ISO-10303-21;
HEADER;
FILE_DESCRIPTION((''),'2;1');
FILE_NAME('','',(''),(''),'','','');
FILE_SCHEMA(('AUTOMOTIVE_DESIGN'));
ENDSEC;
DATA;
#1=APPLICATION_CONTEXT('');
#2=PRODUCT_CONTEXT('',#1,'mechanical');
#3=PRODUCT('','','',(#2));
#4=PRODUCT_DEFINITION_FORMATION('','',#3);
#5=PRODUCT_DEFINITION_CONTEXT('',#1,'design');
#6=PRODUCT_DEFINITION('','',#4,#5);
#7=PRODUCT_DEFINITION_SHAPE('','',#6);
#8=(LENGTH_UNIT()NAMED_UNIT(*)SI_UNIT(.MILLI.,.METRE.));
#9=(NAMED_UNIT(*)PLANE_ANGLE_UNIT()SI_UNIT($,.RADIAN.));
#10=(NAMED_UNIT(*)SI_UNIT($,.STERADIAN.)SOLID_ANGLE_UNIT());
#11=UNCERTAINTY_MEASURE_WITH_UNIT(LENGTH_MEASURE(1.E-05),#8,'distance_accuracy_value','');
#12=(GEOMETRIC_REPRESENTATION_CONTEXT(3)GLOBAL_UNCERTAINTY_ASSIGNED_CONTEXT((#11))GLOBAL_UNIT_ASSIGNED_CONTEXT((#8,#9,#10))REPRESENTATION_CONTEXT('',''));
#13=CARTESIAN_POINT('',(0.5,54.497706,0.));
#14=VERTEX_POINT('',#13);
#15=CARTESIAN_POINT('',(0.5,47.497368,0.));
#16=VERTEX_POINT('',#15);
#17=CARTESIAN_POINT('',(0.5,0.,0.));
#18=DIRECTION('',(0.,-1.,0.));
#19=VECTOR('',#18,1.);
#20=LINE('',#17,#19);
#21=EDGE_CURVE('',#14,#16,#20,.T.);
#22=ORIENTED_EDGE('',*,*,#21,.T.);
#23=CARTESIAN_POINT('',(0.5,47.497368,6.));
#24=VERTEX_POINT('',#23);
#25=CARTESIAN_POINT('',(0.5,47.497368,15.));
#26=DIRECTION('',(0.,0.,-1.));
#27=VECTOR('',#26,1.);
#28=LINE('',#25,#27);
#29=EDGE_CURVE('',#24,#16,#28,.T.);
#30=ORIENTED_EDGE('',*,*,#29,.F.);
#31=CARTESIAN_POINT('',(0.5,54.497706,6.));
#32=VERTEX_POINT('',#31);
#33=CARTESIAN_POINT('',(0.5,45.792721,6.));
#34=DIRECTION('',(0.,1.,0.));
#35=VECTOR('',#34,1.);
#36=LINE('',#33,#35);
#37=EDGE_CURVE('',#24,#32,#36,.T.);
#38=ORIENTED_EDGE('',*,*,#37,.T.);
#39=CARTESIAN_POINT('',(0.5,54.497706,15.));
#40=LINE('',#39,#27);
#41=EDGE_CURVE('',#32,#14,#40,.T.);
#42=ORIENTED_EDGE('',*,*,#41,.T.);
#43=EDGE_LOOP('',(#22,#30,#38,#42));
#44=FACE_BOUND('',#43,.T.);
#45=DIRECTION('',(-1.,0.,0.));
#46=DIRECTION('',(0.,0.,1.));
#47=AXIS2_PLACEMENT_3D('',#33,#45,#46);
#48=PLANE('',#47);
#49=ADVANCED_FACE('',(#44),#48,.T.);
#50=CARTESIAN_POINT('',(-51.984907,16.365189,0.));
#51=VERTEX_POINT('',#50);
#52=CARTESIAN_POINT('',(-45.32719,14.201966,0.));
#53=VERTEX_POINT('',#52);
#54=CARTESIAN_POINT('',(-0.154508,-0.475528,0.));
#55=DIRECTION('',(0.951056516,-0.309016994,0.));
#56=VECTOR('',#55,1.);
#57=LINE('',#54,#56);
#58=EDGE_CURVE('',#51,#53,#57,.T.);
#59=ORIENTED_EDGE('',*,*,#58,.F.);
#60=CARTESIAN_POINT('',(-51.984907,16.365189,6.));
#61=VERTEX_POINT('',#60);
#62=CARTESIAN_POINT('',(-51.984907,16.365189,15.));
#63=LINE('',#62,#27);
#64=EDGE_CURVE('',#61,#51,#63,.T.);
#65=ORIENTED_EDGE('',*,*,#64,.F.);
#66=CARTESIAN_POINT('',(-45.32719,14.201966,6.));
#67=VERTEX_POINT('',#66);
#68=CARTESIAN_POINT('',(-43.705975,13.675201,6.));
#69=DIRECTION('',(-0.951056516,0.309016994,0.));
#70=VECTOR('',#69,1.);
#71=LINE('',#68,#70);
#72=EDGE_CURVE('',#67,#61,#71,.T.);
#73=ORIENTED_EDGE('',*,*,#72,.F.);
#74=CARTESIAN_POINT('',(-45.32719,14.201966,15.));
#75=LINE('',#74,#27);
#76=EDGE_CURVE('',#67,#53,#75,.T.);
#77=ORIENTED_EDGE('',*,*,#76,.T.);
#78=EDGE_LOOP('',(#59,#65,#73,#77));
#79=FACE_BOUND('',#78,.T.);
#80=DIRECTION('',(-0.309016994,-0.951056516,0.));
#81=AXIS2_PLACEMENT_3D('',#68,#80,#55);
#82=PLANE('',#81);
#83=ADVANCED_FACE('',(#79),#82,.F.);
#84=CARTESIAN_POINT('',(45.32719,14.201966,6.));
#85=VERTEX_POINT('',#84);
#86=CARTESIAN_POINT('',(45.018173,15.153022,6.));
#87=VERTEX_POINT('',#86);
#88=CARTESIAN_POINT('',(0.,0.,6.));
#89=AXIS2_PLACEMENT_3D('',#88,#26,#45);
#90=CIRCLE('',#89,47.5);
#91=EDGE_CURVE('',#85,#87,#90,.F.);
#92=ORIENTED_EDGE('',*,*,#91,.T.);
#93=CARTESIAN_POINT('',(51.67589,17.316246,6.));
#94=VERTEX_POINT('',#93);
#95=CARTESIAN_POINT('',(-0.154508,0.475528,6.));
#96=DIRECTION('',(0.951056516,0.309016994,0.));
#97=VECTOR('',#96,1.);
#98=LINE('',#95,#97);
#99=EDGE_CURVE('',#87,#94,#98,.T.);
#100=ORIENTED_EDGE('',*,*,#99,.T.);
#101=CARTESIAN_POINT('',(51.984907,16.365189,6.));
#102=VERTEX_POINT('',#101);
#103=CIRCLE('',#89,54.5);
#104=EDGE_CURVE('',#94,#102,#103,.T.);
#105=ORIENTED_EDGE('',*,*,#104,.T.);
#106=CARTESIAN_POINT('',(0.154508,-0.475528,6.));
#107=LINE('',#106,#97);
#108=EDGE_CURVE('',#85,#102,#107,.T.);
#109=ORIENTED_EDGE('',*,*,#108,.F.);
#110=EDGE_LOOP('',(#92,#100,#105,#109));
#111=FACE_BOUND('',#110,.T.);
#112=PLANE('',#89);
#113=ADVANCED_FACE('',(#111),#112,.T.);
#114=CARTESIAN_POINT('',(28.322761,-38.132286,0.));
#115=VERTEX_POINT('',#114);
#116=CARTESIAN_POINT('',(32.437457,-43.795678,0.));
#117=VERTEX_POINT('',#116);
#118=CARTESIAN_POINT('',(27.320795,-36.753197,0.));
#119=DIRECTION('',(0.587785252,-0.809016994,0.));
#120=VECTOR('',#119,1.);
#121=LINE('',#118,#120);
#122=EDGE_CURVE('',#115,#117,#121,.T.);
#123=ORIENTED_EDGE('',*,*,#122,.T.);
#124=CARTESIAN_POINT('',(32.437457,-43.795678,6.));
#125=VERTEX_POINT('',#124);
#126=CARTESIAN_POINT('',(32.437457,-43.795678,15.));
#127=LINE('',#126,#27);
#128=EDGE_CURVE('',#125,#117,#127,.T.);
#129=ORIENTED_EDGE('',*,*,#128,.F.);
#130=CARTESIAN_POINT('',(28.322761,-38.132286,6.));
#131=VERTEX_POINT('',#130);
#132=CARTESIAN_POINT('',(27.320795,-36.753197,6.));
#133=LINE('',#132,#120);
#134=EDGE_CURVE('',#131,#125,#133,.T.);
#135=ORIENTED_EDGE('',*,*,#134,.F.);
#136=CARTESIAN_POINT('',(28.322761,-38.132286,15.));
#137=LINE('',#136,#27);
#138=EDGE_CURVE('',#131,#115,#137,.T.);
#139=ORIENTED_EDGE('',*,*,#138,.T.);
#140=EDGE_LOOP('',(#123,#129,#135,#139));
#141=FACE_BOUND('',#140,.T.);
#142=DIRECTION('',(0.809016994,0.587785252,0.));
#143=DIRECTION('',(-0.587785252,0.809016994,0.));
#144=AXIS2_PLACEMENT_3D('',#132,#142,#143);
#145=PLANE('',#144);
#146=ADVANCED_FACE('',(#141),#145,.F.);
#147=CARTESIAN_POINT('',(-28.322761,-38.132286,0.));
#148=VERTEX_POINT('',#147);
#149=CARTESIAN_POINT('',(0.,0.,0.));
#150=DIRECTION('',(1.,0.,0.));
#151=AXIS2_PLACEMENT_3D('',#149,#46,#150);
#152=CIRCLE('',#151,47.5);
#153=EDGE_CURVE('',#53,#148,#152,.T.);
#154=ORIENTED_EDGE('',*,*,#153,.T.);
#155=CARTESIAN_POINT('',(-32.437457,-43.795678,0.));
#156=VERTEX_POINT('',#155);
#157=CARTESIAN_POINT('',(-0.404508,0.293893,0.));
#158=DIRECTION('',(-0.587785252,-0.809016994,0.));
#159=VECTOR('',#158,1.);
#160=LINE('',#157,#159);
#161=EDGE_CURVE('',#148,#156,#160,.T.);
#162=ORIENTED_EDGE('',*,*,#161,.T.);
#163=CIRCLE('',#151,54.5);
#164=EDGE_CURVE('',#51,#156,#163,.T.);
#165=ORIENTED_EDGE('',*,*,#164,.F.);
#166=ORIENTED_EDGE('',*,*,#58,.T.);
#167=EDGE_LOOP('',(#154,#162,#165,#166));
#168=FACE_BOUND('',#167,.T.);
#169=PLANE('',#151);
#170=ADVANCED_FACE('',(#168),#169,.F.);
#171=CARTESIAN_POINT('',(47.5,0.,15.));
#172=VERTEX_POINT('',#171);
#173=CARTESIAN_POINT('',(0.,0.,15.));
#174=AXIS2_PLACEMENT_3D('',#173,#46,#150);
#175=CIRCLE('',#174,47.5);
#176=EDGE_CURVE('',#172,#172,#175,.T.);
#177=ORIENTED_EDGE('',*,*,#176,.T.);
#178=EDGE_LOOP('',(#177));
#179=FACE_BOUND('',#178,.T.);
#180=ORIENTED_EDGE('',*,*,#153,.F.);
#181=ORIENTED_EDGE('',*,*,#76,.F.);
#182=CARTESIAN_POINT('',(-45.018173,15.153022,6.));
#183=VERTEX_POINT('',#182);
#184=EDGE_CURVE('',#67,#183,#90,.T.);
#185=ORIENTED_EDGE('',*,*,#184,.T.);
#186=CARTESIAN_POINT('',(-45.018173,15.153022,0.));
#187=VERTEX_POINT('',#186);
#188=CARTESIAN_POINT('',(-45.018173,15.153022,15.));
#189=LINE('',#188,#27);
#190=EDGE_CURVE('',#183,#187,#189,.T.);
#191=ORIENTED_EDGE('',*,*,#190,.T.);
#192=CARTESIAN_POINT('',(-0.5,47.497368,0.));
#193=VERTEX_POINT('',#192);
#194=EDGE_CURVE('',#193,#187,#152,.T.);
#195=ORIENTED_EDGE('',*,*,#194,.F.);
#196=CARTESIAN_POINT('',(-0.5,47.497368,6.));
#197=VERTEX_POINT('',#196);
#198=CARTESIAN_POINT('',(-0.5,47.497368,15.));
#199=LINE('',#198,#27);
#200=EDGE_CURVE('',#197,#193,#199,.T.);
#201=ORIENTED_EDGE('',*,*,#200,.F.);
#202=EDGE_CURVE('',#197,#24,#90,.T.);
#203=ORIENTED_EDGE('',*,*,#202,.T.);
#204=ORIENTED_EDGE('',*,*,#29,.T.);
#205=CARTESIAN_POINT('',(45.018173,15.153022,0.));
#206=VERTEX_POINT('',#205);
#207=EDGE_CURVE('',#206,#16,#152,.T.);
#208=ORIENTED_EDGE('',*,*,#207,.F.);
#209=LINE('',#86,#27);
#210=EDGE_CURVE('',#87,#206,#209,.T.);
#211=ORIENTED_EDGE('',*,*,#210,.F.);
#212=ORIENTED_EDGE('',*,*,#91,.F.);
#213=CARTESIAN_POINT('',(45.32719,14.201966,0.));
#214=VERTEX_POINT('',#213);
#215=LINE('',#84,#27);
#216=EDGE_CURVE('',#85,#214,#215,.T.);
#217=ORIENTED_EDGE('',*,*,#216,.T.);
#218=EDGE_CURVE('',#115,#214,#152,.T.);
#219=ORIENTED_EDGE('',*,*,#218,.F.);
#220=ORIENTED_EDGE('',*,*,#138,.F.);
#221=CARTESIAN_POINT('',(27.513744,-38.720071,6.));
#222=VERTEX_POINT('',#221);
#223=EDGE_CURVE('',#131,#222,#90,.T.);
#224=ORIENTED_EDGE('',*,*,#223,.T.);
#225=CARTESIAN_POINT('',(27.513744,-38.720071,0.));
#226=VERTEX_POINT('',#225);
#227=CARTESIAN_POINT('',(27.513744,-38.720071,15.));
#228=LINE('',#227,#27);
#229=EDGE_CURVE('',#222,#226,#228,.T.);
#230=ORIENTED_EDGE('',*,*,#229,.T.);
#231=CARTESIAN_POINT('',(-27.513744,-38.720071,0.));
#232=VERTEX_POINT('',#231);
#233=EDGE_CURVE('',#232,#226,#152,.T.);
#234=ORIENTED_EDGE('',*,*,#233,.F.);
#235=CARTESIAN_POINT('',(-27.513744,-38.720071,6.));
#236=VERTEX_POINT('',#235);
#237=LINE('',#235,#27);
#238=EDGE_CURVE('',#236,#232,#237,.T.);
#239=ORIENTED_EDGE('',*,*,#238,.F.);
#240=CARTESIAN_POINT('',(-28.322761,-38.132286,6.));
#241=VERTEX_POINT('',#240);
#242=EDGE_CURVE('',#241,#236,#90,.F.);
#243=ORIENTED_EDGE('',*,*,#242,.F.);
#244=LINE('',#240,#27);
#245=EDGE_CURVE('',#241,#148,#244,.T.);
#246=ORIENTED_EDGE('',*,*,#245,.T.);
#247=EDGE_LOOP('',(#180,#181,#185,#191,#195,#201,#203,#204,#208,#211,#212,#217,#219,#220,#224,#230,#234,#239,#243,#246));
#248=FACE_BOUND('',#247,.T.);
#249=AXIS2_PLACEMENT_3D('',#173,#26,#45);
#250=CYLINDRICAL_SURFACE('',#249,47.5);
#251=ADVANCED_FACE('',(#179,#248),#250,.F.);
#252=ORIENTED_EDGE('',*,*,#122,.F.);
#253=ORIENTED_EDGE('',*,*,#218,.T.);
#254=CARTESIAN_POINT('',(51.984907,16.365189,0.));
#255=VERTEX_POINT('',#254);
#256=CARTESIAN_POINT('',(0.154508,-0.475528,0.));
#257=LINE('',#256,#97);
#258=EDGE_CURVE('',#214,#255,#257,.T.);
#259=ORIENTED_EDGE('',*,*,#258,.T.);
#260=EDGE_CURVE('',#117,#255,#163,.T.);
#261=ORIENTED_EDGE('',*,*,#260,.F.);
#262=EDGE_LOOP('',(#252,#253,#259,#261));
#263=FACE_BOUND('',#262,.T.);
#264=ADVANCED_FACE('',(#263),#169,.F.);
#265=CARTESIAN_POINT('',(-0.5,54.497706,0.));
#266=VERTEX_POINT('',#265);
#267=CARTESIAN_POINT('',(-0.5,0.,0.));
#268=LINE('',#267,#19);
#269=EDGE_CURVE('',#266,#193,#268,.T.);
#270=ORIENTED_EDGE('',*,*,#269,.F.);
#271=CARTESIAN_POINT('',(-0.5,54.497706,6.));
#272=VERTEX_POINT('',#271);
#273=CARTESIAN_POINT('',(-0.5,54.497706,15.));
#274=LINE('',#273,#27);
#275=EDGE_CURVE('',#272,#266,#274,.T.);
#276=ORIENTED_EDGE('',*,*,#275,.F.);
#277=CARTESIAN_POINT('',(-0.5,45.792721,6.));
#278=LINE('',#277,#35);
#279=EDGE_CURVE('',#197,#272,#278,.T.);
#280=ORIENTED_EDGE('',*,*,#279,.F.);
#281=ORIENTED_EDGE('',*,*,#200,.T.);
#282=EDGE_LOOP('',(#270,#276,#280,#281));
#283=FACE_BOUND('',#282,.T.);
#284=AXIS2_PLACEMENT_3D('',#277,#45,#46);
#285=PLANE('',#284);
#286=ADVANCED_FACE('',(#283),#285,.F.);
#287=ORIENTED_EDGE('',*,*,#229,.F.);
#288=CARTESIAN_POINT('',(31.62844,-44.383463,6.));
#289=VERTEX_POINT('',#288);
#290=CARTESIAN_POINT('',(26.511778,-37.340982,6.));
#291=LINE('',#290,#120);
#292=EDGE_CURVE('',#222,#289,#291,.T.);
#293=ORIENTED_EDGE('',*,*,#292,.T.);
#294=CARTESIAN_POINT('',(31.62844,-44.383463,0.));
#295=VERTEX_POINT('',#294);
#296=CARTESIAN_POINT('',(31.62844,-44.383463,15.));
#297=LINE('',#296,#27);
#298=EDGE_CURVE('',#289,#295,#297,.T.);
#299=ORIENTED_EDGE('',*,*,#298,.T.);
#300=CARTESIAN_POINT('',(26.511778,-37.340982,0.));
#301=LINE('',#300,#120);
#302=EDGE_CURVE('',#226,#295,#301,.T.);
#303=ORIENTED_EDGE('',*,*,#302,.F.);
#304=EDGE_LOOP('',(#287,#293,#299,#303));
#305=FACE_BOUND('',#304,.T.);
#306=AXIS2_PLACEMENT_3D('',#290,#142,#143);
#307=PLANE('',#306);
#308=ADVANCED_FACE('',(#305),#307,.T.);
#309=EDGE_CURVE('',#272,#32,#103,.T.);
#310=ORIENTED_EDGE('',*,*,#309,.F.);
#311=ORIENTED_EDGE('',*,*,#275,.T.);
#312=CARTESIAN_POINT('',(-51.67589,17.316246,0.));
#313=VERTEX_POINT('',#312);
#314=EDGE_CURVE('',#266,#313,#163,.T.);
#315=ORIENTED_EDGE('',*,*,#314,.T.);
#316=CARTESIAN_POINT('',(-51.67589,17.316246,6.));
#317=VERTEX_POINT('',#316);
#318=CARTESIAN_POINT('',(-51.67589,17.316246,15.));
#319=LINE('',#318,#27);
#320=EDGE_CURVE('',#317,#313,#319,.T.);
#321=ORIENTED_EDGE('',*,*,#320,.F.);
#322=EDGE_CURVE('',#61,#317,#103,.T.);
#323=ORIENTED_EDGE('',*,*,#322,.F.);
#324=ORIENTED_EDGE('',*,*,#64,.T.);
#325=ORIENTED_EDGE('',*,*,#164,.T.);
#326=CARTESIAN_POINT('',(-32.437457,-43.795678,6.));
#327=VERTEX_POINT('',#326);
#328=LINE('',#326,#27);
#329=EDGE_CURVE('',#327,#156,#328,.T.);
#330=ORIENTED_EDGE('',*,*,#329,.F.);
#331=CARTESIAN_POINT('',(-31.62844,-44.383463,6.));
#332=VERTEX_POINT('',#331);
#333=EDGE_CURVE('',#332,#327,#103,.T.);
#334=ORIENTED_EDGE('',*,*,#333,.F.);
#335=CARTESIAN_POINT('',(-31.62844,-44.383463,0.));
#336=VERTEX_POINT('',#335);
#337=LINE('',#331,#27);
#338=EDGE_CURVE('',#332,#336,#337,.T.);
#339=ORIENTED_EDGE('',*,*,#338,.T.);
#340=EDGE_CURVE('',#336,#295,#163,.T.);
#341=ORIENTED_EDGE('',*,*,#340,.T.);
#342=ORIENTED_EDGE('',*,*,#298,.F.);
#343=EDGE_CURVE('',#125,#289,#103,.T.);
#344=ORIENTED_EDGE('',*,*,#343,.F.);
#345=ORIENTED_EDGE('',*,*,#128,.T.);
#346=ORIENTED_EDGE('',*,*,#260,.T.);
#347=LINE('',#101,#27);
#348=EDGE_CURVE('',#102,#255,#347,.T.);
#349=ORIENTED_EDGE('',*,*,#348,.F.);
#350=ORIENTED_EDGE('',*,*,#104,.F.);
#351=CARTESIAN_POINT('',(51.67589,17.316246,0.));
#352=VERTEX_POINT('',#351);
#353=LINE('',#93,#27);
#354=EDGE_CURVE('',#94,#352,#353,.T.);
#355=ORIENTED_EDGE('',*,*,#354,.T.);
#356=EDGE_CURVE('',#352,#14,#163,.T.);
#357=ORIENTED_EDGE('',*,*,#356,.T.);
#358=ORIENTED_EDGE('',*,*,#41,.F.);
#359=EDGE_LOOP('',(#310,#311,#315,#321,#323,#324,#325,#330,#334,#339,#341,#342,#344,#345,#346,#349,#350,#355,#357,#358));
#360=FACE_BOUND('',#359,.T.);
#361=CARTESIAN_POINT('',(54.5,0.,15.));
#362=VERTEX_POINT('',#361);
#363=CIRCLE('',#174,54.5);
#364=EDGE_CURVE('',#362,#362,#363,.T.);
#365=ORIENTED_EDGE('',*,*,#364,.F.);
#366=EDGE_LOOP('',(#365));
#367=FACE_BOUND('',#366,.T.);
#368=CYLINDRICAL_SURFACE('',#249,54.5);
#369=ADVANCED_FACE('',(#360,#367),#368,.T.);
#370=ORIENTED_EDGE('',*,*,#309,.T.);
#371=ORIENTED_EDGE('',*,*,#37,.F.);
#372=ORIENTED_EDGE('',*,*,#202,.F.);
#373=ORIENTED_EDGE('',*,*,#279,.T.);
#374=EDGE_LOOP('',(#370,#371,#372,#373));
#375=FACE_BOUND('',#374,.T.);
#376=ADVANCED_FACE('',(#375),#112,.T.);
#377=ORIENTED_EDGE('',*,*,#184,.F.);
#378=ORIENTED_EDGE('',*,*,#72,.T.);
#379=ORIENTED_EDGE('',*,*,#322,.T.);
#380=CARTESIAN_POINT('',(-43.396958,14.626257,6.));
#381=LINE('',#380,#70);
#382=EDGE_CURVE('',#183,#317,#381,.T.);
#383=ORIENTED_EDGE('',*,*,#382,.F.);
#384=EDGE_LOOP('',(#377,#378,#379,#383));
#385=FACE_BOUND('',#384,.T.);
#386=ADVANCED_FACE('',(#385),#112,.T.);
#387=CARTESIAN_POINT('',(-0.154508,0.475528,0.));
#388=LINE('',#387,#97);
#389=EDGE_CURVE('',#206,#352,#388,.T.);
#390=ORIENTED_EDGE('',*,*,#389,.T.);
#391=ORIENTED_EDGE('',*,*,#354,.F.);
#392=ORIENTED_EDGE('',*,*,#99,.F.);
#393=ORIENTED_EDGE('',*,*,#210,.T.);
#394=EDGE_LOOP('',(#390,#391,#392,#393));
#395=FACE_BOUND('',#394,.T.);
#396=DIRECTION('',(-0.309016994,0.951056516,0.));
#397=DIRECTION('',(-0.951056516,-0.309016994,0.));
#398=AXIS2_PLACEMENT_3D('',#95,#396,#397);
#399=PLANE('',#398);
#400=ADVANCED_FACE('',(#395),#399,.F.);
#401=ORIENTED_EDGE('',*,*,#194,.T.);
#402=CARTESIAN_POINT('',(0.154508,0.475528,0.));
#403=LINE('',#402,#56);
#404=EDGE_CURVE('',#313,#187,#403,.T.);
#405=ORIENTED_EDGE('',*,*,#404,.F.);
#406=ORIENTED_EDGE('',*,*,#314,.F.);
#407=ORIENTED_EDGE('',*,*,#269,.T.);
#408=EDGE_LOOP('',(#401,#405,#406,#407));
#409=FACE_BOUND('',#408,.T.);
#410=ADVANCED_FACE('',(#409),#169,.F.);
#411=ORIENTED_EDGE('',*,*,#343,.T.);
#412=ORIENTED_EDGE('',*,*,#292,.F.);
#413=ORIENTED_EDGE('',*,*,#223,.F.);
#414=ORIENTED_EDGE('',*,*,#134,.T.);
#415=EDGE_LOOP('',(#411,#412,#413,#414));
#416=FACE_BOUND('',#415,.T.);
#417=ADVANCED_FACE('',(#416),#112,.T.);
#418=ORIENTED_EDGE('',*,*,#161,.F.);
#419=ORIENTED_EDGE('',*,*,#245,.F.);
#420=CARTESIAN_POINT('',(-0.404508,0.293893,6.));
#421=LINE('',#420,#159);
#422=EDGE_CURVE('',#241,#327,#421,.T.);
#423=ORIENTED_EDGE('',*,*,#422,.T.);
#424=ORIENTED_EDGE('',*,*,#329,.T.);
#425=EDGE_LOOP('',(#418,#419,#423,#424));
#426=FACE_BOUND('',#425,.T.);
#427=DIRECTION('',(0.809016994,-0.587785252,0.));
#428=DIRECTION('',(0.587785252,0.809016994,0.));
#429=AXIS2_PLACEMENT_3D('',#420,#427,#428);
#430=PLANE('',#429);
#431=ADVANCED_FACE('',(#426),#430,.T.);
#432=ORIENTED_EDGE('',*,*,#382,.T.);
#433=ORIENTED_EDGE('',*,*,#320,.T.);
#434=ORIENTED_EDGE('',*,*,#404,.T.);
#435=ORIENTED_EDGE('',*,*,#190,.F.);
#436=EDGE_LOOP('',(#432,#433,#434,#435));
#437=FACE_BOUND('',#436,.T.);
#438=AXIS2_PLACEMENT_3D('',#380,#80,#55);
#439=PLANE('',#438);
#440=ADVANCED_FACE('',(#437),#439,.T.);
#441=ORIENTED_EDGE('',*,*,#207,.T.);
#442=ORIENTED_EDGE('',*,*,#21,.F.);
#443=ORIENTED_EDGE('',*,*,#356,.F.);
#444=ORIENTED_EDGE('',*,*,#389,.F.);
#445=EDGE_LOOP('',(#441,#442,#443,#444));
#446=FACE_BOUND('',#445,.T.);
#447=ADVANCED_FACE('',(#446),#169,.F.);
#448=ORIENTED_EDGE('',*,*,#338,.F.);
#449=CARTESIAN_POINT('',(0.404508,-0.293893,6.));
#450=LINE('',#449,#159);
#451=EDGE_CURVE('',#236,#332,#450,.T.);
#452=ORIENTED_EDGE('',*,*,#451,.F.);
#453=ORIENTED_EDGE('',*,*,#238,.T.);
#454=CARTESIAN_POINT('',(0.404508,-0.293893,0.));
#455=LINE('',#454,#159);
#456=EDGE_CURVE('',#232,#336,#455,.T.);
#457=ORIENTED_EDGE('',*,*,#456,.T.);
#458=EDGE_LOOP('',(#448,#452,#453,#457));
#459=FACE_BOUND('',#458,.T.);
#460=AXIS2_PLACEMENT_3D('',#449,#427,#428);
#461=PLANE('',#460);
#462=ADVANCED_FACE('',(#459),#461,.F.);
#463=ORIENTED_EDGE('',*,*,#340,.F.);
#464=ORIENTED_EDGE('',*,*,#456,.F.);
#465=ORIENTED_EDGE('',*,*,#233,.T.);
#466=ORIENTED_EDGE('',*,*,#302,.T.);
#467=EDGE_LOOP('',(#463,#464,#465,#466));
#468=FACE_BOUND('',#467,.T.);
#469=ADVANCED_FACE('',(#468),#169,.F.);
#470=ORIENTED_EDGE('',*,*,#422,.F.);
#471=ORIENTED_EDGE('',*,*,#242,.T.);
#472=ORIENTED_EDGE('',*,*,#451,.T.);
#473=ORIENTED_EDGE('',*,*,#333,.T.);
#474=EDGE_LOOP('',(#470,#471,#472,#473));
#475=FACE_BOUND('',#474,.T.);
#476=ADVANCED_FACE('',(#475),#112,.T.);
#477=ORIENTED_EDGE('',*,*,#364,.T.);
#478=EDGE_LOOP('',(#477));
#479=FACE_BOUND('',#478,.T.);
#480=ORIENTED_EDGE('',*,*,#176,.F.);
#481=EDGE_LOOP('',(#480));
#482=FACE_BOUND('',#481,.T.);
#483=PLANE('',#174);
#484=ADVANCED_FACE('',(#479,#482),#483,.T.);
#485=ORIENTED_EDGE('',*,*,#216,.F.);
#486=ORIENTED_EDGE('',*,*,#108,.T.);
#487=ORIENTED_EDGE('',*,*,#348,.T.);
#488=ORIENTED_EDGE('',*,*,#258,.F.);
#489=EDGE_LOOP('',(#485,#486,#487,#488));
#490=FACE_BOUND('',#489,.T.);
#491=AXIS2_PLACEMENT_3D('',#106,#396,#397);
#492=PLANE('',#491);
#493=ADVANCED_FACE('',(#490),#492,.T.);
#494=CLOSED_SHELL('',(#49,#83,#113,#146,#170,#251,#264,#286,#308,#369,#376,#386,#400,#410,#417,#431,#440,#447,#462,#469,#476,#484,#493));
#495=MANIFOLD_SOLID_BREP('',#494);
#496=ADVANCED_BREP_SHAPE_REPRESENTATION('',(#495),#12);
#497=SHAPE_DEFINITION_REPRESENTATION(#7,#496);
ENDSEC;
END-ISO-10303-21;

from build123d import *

# Parameters (mm, degrees)
ESQUISSE1_R             = 54.5
ESQUISSE1_R_2           = 47.5
BOSS_EXTRU_1_DEPTH      = 15
ESQUISSE2_W             = 1
ESQUISSE2_H             = 9.520304005
ENL_V_MAT_EXTRU_1_DEPTH = 6


with BuildPart() as part:
    # Esquisse1 → Boss.-Extru.1 (new body)
    with BuildSketch(Plane.XY):
        Circle(ESQUISSE1_R)
        Circle(ESQUISSE1_R_2, mode=Mode.SUBTRACT)
    extrude(amount=BOSS_EXTRU_1_DEPTH)

    # Esquisse2 → Enlèv. mat.-Extru.1 (cut)
    with BuildSketch(Plane(origin=(0, 0, 0), x_dir=(-1, 0, 0), z_dir=(0, 0, -1))):
        with BuildLine():
            Line((32.437456587, -43.795677985), (28.322761135, -38.132285556))
            ThreePointArc((28.322761135, -38.132285556), (27.919799484, -38.428307233), (27.513744141, -38.720070808))
            Line((27.513744141, -38.720070808), (31.628439593, -44.383463237))
            ThreePointArc((31.628439593, -44.383463237), (32.03429625, -44.091426193), (32.437456587, -43.795677985))
        make_face()
        with BuildLine():
            ThreePointArc((-45.327190172, 14.20196575), (-45.175184524, 14.678307233), (-45.018173177, 15.153022266))
            Line((-45.018173177, 15.153022266), (-51.675890273, 17.316245682))
            ThreePointArc((-51.675890273, 17.316245682), (-51.832580138, 16.841426193), (-51.984907267, 16.365189166))
            Line((-51.984907267, 16.365189166), (-45.327190172, 14.20196575))
        make_face()
        Polygon((-26.511777811, -37.340982466), (-32.107672102, -45.043070198), (-32.916689096, -44.455284946), (-27.320794805, -36.753197214), align=None)
        Polygon((43.3969576, 14.626257393), (52.451304761, 17.568193122), (52.760321755, 16.617136606), (43.705974594, 13.675200877), align=None)
        with Locations((0, 50.552873414)):
            Rectangle(ESQUISSE2_W, ESQUISSE2_H)
    extrude(amount=-ENL_V_MAT_EXTRU_1_DEPTH, mode=Mode.SUBTRACT)


solid = part.part
